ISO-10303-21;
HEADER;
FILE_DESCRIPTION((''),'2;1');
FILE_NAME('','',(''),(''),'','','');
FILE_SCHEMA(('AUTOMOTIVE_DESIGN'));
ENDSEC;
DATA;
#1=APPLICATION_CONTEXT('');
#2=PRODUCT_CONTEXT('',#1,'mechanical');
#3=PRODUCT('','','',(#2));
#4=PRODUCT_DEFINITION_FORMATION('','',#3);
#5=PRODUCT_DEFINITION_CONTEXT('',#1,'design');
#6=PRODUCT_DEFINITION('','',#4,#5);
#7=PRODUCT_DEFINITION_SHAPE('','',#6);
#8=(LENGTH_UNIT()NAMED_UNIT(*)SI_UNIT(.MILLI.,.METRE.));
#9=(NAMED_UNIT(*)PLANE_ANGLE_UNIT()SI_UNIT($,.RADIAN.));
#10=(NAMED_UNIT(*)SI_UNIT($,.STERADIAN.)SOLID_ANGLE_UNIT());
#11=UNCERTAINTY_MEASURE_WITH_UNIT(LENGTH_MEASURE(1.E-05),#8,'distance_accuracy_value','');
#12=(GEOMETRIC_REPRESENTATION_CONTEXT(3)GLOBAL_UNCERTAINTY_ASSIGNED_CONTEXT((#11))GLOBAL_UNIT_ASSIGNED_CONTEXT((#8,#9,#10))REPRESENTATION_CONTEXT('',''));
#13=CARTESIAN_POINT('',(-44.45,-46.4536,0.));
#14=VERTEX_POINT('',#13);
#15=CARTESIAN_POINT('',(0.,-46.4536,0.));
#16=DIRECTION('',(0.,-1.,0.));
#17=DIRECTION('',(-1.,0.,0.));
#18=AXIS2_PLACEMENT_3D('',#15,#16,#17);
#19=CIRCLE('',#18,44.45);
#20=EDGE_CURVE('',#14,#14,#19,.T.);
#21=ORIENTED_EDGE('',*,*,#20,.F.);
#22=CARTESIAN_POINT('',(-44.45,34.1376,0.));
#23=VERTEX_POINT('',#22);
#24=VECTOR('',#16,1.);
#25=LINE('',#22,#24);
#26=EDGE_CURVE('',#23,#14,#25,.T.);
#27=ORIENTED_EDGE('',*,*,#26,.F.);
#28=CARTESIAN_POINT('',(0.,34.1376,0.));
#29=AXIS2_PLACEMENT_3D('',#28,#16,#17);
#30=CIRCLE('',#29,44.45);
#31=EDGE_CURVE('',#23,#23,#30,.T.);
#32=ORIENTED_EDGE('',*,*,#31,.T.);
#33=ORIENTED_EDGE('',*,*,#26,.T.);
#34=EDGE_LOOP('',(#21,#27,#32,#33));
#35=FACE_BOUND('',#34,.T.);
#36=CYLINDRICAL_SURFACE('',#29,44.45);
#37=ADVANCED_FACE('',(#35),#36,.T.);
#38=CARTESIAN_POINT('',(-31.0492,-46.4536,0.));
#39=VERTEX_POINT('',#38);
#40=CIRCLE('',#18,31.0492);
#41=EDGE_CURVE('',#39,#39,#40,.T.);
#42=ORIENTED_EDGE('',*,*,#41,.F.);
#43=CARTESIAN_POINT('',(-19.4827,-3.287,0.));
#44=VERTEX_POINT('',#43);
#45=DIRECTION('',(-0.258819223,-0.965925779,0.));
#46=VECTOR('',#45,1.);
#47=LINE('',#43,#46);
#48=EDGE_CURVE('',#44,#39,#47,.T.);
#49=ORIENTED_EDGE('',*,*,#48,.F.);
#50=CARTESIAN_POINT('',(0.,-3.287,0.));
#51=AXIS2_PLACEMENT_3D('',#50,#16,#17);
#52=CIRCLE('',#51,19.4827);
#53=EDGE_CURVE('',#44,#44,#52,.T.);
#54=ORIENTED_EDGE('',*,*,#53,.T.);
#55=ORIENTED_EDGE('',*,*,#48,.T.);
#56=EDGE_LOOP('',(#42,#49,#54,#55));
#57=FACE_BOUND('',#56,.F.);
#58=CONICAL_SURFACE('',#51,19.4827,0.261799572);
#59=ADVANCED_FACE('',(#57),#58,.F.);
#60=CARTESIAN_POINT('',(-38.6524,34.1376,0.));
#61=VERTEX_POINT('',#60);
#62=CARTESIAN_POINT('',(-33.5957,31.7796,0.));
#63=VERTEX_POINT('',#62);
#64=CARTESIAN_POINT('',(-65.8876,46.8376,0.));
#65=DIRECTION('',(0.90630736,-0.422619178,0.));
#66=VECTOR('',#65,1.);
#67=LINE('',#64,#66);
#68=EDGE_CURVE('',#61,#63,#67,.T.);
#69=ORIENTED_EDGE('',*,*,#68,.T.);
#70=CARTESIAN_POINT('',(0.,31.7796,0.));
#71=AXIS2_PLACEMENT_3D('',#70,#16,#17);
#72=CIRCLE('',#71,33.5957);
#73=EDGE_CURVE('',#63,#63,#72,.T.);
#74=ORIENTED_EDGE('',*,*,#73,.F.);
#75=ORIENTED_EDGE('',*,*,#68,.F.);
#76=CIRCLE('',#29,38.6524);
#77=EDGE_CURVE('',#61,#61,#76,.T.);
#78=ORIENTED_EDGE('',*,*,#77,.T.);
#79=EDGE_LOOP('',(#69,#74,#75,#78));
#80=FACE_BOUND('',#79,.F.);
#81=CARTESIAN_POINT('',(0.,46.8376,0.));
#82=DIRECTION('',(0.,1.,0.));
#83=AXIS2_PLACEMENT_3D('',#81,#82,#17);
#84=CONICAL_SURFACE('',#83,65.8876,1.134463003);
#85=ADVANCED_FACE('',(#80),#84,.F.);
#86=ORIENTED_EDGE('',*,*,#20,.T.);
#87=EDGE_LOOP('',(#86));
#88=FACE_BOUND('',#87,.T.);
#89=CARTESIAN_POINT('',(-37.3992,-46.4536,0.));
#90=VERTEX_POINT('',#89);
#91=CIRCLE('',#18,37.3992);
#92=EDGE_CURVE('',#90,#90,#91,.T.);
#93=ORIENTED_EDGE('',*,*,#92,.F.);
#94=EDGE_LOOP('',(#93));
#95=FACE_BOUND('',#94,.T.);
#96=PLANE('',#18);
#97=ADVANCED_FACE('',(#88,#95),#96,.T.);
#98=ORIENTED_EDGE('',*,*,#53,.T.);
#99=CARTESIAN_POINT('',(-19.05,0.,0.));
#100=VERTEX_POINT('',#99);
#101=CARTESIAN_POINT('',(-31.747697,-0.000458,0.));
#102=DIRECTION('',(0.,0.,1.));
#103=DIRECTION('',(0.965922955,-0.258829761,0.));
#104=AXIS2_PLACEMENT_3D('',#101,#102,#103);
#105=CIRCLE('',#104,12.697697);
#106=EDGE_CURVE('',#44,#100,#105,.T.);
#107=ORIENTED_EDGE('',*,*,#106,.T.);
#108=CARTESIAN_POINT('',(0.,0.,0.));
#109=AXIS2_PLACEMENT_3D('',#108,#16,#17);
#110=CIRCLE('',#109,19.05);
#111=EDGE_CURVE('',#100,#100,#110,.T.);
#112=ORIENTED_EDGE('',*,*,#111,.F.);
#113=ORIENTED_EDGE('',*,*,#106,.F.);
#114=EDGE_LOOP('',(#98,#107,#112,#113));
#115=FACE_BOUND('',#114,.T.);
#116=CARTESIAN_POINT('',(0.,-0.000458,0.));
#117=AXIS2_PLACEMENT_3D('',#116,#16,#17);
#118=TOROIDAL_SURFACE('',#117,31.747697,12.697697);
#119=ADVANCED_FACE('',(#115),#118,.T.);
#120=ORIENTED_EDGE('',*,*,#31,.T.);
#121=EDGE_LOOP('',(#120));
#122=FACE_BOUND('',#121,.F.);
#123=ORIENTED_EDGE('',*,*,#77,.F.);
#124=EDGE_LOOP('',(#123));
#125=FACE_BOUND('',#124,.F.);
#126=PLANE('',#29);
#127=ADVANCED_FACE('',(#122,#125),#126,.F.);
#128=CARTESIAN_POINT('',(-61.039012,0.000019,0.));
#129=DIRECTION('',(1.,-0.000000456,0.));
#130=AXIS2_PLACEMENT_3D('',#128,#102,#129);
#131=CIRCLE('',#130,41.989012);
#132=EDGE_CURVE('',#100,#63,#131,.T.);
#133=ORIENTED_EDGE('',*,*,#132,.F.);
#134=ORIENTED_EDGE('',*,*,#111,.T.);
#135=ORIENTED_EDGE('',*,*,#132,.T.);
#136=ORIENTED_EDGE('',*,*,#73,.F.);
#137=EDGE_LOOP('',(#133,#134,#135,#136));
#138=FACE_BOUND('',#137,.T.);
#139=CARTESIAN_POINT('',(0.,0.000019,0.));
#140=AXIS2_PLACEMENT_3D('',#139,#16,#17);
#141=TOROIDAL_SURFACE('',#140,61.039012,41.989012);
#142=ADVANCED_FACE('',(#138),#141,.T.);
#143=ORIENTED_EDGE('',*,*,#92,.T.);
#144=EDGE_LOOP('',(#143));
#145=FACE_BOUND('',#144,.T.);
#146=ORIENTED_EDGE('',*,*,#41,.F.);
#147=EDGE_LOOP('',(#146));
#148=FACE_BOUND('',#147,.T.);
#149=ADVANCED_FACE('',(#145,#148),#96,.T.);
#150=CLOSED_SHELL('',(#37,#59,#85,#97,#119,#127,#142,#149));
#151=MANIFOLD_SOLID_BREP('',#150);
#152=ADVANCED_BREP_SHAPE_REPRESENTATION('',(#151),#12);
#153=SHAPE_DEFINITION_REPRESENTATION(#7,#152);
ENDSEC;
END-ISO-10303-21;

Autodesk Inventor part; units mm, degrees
ref_plane "YZ Plane" through (0, 0, 0) normal (1, 0, 0) x (0, 1, 0)
ref_plane "XZ Plane" through (0, 0, 0) normal (0, 1, 0) x (-1, 0, 0)
ref_plane "XY Plane" through (0, 0, 0) normal (0, 0, 1) x (1, 0, 0)
sketch "Sketch1" plane through (0, 0, 0) normal (0, 0, 1) x (1, 0, 0)
  arc A0 (-19.4827, -3.287) -> (-19.05, 0) centre (-31.75, 0) ccw
  line L0 (-19.4827, -3.287) -> (-58.7375, -149.7878)
  line L1 (-65.8876, 46.8376) -> (-65.8876, 21.4376)
  line L2 (-65.8876, 21.4376) -> (-71.4375, 21.4376)
  line L3 (-44.45, 34.1376) -> (-38.6524, 34.1376)
  line L4 (-44.45, 34.1376) -> (0, 34.1376) construction
  line L5 (-37.3992, -46.4536) -> (-31.0492, -46.4536)
  line L6 (-71.4375, 21.4376) -> (-71.4375, 8.7376)
  line L7 (-71.4375, 8.7376) -> (-58.7375, 8.7376)
  line L8 (-58.7375, 8.7376) -> (-52.3875, 8.7376)
  line L9 (-52.3875, 8.7376) -> (-52.3875, -102.3907)
  line L10 (-71.4375, 8.7376) -> (-71.4375, -0.7874)
  line L11 (-71.4375, 8.7376) -> (-61.9125, 8.7376) construction
  line L12 (-71.4375, -0.7874) -> (-58.7375, -0.7874)
  line L13 (-58.7375, -0.7874) -> (-58.7375, -51.5874)
  line L14 (-58.7375, -51.5874) -> (-71.4375, -51.5874)
  line L15 (-71.4375, -0.7874) -> (-65.0875, -0.7874)
  line L16 (-65.0875, -0.7874) -> (-65.0875, -6.731)
  line L17 (-65.0875, -6.731) -> (-71.4375, -6.731)
  line L18 (-71.4375, 21.4376) -> (-71.4375, -0.7874)
  line L19 (-71.4375, -6.731) -> (-71.4375, -51.5874)
  line L20 (-58.7375, -51.5874) -> (-58.7375, -126.0892)
  line L21 (-58.7375, -51.5874) -> (0, -51.5874) construction
  line L22 (-46.0375, -102.3907) -> (-52.3875, -102.3907)
  line L23 (-65.0875, -51.5907) -> (-58.7375, -51.5907)
  line L24 (-58.7375, -149.7878) -> (-61.9125, -161.637)
  line L25 (-58.7375, -149.7878) -> (-34.203, -149.7878) construction
  line L26 (-65.0875, -161.637) -> (-61.9125, -161.637)
  line L27 (-58.7375, -126.0892) -> (-52.3875, -126.0892)
  line L28 (0, 34.1376) -> (0, 0)
  line L29 (-65.0875, -100.6892) -> (-65.0875, -161.637)
  line L30 (-58.7375, -51.5907) -> (-61.9125, -51.5907)
  line L31 (-65.0875, -100.6892) -> (-58.7375, -100.6892)
  line L32 (-65.8876, 46.8376) -> (-18.3062, 46.8376) construction
  line L33 (-65.8876, 46.8376) -> (-14.7047, 46.8376) construction
  line L34 (-65.8876, 46.8376) -> (-33.5957, 31.7796)
  line L35 (-65.8876, 46.8376) -> (-30.2574, 46.8376) construction
  arc A1 (-19.05, 0) -> (-33.5957, 31.7796) centre (-61.0391, 0) ccw
  line L36 (-44.45, 34.1376) -> (-44.45, -46.4536)
  line L37 (-44.45, 34.1376) -> (36.1412, 34.1376) construction
  line L38 (-44.45, -46.4536) -> (-37.3992, -46.4536)
  dimension "d56" = 19.05
  dimension "d57" = 25.4
  dimension "d58" = 5.5499
  dimension "d59" = 65.8876
  dimension "d60" = 12.7
  dimension "d61" = 12.7
  dimension "d62" = 44.45
  dimension "d63" = 6.35
  dimension "d64" = 105
  dimension "d65" = 12.7
  dimension "d66" = 12.7
  dimension "d67" = 6.35
  dimension "d68" = 9.525
  dimension "d69" = 50.8
  dimension "d70" = 12.7
  dimension "d71" = 6.35
  dimension "d72" = 5.9436
  dimension "d73" = 6.35
  dimension "d74" = 50.8
  dimension "d75" = 6.35
  dimension "d76" = 105
  dimension "d77" = 3.175
  dimension "d78" = 6.35
  dimension "d79" = 60.9478
  dimension "d80" = 3.175
  dimension "d81" = 6.35
  dimension "d82" = 25.4
  dimension "d83" = 25
  dimension "d84" = 41.9891
  dimension "d85" = 32.2919
  dimension "d86" = 90
  dimension "d87" = 80.5912
revolve "Revolution1" add sketch "Sketch1" angle 360 about axis through (0, 34.1376, 0) along (0, -1, 0) contours L0 L5 L38 L36 L3 L34 A1 A0
properties part number "Graphite" material "GFRC"
